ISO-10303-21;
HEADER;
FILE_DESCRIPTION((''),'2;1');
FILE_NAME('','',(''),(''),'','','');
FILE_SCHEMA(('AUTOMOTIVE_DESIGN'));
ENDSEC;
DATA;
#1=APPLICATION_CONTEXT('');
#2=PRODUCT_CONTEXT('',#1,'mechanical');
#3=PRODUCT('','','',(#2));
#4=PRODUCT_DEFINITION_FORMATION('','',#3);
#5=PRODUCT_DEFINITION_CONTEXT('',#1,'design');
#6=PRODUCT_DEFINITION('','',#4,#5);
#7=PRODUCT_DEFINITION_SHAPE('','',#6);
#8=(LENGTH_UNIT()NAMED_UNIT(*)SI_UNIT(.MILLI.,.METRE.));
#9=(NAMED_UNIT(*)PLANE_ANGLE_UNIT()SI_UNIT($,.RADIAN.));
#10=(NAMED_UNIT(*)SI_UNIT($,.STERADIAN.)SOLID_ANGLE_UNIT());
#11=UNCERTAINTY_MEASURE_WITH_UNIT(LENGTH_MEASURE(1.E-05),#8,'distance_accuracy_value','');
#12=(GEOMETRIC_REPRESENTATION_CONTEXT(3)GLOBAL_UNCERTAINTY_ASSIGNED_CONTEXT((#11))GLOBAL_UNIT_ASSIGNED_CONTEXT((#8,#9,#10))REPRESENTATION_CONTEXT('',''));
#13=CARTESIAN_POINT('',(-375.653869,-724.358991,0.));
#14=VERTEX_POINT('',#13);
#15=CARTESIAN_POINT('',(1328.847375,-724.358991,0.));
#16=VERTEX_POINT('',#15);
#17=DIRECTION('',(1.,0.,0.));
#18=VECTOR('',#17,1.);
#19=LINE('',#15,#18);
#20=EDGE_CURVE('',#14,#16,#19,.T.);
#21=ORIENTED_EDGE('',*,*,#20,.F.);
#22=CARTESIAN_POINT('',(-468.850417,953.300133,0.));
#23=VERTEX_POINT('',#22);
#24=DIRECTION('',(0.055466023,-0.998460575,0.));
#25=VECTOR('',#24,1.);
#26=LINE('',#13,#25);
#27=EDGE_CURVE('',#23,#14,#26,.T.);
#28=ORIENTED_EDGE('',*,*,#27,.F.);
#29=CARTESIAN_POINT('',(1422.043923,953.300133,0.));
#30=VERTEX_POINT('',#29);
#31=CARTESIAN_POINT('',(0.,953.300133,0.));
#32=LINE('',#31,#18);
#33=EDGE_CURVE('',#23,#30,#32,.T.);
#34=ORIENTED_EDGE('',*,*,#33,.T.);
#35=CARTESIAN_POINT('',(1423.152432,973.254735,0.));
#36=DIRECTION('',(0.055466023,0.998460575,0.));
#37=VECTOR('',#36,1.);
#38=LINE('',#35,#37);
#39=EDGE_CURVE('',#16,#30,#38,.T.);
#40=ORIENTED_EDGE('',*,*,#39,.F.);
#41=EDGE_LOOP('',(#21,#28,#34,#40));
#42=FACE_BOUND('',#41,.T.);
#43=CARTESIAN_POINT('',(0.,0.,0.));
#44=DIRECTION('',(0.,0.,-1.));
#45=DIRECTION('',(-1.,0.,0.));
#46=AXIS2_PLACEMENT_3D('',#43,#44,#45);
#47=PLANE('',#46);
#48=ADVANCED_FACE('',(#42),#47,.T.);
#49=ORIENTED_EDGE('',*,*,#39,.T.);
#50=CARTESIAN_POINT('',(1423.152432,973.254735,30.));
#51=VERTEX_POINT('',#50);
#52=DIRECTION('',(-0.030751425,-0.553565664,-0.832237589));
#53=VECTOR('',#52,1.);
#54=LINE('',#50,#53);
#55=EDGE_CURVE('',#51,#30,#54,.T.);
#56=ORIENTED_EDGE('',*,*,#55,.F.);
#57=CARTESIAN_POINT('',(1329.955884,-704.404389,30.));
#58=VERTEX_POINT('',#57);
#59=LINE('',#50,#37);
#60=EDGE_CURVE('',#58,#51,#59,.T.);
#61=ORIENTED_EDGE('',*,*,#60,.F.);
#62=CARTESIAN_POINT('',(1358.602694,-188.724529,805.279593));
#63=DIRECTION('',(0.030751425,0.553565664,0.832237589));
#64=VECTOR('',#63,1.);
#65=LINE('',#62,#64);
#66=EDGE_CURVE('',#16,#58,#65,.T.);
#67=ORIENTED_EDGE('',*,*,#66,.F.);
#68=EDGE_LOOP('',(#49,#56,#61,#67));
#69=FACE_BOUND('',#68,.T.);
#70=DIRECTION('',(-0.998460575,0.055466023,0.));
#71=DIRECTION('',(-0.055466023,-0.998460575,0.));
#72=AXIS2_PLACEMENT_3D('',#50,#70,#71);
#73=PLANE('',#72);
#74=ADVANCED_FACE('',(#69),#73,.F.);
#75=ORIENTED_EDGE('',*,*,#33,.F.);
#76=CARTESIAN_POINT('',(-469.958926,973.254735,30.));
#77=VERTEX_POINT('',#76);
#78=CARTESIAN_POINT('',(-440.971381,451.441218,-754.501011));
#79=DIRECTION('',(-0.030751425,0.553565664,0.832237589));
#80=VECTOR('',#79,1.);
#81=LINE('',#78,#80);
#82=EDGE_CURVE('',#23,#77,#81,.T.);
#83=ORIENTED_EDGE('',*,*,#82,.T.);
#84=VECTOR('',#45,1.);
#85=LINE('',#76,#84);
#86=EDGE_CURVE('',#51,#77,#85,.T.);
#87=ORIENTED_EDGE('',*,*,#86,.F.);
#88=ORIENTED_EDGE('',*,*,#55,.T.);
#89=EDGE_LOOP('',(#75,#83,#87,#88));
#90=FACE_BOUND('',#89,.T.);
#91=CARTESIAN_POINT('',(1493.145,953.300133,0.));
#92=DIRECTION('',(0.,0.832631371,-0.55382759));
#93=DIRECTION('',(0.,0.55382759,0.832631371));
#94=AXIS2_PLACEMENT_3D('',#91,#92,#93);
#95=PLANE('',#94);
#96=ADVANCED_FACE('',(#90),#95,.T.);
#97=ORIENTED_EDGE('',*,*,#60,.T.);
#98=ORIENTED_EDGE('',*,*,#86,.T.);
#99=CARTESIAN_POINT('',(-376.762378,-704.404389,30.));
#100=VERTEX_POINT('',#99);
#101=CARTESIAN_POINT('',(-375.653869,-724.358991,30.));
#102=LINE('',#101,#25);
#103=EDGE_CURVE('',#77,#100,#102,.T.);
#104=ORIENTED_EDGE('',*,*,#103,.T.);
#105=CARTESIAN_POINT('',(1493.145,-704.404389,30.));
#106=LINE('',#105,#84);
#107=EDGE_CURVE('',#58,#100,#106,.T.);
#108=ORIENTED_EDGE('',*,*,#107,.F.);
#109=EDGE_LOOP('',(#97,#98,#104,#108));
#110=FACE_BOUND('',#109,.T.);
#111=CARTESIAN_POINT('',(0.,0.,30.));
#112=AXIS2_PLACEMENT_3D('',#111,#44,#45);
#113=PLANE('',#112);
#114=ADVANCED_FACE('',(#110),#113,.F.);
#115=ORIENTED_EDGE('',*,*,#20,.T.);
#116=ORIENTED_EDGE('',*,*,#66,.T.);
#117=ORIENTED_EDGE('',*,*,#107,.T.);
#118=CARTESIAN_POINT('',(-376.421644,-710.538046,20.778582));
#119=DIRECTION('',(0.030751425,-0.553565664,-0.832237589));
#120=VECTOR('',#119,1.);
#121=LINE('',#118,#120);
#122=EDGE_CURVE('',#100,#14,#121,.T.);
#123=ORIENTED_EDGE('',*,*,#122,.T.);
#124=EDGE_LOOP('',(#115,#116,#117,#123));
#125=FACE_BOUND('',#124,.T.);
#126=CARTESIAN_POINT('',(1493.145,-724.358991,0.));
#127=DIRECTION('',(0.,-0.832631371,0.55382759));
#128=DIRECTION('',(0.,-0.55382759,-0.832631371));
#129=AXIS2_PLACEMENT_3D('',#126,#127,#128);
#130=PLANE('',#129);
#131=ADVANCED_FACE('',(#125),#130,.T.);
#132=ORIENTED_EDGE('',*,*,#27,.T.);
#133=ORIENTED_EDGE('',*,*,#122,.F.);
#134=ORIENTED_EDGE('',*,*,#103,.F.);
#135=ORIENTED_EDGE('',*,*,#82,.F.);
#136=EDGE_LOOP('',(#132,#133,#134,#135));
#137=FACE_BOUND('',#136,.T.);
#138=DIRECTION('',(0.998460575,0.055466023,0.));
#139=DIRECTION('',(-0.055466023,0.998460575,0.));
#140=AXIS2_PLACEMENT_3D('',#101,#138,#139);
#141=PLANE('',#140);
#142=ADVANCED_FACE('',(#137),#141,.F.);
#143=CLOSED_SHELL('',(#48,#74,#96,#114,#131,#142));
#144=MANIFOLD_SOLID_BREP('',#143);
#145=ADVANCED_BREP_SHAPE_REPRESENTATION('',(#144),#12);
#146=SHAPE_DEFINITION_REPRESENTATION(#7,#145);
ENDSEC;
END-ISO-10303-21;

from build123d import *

# Parameters (mm, degrees)
BOSS_EXTRU_1_DEPTH           = 30
ENL_V_MAT_EXTRU_1_DEPTH      = 1493.145
ENL_V_MAT_EXTRU_1_DEPTH_BACK = 523.145


with BuildPart() as part:
    # Esquisse1 → Boss.-Extru.1 (new body)
    with BuildSketch(Plane.XY):
        Polygon((-469.958925703, 973.254734923), (1423.152431777, 973.254734923), (1328.847374932, -724.35899061), (-375.653868858, -724.35899061), align=None)
    extrude(amount=BOSS_EXTRU_1_DEPTH)

    # Esquisse3 → Enlèv. mat.-Extru.1 (cut, two sides: drawn at the far end of the back side and taken through both)
    with BuildSketch(Plane(origin=(0, 0, 0), x_dir=(0, 0, -1), z_dir=(1, 0, 0)).offset(-ENL_V_MAT_EXTRU_1_DEPTH_BACK)):
        Polygon((-30, -724.35899061), (0, -724.35899061), (-30, -704.404388529), align=None)
        Polygon((-30, 973.254734923), (0, 973.254734923), (0, 953.300132842), align=None)
    extrude(amount=ENL_V_MAT_EXTRU_1_DEPTH + ENL_V_MAT_EXTRU_1_DEPTH_BACK, mode=Mode.SUBTRACT)


solid = part.part
